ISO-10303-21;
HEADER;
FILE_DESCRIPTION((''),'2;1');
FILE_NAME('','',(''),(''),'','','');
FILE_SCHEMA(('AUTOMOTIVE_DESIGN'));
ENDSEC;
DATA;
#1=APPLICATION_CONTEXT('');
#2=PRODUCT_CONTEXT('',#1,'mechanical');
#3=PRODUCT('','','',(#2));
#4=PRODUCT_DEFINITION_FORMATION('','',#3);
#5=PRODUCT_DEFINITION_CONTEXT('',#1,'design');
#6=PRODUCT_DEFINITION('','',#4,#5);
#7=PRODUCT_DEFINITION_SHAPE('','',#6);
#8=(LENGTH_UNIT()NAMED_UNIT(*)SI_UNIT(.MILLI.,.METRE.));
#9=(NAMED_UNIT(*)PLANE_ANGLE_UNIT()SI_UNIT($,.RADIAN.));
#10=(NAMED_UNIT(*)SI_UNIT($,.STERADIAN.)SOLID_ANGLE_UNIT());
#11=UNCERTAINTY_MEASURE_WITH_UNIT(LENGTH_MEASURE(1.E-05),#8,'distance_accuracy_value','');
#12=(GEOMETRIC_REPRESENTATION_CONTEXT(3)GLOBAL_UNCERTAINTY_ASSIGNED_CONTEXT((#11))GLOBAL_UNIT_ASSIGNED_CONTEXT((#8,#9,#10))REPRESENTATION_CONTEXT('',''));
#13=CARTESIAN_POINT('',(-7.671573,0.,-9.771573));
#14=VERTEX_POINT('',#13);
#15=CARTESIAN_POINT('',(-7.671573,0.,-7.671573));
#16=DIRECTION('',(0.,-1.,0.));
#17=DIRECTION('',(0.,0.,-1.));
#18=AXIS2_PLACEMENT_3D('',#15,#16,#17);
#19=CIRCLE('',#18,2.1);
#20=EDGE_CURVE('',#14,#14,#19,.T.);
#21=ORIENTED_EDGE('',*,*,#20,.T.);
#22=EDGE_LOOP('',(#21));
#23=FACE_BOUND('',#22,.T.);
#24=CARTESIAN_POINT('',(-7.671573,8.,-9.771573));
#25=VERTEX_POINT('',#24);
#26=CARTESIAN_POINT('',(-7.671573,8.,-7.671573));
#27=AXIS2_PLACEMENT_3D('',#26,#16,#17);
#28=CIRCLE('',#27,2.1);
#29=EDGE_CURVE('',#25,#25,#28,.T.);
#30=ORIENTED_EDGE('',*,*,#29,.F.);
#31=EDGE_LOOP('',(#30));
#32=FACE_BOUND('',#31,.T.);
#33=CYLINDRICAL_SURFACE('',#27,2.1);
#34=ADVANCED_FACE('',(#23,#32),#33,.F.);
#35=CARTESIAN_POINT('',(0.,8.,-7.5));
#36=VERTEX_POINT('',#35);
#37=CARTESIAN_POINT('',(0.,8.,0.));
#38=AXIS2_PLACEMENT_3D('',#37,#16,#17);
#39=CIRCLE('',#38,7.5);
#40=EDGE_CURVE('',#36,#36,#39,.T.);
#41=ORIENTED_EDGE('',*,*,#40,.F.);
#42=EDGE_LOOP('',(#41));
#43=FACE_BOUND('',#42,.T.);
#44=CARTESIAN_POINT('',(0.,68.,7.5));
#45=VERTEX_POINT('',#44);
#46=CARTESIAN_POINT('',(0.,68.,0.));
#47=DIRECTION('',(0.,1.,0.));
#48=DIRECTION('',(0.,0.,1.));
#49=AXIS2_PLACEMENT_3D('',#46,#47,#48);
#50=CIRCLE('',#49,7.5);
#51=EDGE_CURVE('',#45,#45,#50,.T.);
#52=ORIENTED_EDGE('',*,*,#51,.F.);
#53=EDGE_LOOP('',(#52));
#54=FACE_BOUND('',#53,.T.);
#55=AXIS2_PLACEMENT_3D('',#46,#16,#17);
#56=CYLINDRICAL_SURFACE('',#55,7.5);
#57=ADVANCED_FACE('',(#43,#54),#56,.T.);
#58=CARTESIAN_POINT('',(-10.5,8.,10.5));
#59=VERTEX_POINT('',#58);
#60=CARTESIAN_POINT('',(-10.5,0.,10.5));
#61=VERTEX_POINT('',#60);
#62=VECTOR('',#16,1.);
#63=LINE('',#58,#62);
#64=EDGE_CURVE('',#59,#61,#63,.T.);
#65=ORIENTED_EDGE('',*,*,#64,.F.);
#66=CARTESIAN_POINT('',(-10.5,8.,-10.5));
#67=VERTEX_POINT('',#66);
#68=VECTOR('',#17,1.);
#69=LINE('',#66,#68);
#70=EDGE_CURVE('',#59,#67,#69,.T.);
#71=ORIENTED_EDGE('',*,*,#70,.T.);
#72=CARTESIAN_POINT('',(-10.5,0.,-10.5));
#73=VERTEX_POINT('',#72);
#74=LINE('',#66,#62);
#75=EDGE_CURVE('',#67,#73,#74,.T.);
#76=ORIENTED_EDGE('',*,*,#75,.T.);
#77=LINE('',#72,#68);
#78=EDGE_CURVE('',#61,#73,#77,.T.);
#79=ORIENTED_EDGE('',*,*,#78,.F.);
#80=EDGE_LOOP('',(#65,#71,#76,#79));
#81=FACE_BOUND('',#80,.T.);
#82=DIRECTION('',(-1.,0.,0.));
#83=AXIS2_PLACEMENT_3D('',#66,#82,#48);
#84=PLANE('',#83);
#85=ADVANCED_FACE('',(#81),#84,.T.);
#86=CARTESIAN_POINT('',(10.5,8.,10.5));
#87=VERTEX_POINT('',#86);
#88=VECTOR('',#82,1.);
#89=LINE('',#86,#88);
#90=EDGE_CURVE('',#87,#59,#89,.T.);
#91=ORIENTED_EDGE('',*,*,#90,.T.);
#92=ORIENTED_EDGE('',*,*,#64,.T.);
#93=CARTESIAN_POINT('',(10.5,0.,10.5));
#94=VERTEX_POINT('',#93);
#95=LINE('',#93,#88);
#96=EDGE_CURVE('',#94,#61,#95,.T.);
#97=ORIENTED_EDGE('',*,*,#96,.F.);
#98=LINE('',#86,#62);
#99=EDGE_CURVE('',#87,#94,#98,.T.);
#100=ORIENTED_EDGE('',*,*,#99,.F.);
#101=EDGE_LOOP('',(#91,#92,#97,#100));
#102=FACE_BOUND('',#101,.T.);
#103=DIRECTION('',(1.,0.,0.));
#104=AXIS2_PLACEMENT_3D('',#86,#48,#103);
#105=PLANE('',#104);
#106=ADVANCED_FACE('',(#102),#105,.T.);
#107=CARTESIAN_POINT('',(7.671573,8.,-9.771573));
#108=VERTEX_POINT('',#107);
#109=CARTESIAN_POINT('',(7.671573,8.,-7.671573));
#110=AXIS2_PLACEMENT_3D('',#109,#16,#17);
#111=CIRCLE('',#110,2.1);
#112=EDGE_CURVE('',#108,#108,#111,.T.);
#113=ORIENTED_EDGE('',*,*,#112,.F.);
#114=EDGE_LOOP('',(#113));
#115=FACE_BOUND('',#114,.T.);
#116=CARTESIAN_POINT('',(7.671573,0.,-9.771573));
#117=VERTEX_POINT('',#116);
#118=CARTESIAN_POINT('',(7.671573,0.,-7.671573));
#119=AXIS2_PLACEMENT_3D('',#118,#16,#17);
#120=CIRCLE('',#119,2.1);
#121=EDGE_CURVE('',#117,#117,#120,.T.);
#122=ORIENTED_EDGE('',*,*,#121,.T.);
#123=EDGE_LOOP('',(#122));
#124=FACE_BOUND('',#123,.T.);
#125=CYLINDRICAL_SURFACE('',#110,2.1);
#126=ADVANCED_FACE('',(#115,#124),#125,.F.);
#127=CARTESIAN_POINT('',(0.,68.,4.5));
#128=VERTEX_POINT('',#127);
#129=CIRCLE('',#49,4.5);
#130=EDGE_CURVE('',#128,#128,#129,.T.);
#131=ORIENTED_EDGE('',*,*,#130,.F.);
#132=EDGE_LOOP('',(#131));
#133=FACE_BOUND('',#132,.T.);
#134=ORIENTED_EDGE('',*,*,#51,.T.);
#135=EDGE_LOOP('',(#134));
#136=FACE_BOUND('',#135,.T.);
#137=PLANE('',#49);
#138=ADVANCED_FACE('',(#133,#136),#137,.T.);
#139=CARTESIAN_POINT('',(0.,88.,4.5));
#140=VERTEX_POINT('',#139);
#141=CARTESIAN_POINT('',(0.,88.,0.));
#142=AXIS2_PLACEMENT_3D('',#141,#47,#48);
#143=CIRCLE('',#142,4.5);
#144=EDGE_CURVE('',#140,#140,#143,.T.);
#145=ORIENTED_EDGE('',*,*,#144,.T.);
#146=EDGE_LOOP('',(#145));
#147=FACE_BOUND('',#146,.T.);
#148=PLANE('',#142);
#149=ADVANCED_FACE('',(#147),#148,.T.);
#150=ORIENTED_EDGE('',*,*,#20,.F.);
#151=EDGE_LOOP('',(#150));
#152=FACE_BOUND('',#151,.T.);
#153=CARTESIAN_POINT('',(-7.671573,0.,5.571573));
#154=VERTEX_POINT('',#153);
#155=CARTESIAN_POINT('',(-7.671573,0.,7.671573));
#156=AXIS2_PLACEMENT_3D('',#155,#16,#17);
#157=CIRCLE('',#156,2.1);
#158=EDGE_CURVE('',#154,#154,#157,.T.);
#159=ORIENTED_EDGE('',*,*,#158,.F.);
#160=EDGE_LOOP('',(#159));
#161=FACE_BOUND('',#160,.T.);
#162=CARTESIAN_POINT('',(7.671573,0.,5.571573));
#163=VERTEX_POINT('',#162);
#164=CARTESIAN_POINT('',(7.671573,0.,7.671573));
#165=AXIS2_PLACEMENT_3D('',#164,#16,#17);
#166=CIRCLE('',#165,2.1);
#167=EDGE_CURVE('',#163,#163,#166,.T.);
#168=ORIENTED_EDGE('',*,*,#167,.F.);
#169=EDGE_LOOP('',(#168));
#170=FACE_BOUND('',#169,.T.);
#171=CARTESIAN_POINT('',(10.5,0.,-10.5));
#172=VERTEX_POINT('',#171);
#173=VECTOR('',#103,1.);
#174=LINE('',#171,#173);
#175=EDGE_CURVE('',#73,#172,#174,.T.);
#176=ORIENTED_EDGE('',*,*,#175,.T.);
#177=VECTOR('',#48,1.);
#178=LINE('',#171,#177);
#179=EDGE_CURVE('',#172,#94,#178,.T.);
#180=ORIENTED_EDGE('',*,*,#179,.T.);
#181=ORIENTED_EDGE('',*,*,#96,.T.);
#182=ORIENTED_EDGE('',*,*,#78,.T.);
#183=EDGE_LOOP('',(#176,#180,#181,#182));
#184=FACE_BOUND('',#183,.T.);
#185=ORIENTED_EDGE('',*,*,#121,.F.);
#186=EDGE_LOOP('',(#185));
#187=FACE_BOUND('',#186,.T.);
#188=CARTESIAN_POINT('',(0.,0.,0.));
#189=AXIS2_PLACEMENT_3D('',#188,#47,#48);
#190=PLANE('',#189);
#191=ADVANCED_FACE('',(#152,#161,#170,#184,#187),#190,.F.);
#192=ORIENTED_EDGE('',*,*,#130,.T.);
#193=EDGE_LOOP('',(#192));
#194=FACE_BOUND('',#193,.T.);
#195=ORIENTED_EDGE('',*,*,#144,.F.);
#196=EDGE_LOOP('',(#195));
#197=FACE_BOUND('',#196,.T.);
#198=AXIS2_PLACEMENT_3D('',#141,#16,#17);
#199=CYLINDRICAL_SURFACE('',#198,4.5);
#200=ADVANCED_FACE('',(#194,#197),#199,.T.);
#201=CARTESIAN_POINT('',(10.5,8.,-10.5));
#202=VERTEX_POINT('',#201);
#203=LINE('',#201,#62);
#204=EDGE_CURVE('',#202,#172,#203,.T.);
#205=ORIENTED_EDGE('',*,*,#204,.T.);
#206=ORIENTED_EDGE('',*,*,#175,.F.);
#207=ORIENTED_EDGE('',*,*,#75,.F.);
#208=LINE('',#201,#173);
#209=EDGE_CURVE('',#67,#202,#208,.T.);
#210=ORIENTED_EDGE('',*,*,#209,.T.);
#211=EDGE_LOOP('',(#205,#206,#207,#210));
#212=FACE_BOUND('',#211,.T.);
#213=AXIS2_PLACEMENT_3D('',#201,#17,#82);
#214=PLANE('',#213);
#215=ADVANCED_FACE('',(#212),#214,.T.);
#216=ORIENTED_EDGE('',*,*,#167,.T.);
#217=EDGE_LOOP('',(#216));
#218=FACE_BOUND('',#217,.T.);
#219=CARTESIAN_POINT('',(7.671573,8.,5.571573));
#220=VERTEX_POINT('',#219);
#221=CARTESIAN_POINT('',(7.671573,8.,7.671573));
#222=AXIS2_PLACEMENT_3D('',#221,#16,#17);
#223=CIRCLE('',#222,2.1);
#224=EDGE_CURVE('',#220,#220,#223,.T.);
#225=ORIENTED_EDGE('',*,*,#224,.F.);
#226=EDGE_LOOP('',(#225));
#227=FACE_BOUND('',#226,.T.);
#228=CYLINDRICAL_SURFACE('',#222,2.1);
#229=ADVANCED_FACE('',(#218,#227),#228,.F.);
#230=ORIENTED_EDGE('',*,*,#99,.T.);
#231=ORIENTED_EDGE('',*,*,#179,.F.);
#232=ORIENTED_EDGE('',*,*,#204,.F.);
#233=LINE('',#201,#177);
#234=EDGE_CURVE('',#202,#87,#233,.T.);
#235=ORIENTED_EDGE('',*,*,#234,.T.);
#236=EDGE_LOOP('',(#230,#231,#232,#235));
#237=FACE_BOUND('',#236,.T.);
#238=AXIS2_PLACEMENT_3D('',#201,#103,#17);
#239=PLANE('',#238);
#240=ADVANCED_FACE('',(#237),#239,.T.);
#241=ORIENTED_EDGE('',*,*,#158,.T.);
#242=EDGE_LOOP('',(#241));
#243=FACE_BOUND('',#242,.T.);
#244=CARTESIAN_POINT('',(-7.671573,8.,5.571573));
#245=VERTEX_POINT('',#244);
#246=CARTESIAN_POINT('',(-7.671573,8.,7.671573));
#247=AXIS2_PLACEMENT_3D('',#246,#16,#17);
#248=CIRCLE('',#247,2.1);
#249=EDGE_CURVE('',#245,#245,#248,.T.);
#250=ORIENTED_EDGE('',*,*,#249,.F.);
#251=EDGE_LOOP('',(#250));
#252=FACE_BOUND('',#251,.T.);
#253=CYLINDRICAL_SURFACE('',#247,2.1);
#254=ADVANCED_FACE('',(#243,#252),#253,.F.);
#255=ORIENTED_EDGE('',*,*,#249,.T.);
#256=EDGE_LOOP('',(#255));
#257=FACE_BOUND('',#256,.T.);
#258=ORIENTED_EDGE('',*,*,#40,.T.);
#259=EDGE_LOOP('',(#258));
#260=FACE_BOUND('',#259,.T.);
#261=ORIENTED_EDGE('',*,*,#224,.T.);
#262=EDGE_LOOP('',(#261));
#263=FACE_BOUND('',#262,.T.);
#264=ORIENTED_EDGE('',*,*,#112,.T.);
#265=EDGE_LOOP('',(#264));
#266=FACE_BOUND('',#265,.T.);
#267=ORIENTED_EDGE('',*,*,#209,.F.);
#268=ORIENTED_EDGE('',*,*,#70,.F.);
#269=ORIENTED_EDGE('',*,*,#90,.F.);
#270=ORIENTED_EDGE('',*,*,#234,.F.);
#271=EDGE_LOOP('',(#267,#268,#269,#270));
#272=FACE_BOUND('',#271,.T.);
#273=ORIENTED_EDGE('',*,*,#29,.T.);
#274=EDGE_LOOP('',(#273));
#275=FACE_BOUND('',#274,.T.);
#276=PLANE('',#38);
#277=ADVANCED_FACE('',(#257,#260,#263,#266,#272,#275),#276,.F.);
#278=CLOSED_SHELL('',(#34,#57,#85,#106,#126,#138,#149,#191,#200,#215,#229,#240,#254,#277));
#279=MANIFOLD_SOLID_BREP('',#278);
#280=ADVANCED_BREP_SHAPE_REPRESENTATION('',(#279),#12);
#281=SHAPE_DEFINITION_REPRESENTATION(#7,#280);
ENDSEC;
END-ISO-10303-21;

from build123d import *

# Parameters (mm, degrees)
SKETCH_1_R      = 7.5
EXTRUDE_1_DEPTH = 68
SKETCH_2_W      = 21
SKETCH_2_H      = 21
SKETCH_2_R      = 2.1
EXTRUDE_2_DEPTH = 8
SKETCH_3_R      = 4.5
EXTRUDE_3_DEPTH = 20


with BuildPart() as part:
    # 草图1 → 凸台-拉伸1 (new body)
    with BuildSketch(Plane(origin=(0, 0, 0), x_dir=(1, 0, 0), z_dir=(0, 1, 0))):
        with Locations(Location((0, 0, 0), (0, 0, 270))):
            Circle(SKETCH_1_R)
    extrude(amount=EXTRUDE_1_DEPTH)

    # 草图2 → 凸台-拉伸2 (add)
    with BuildSketch(Plane.XZ):
        Rectangle(SKETCH_2_W, SKETCH_2_H)
        with Locations(Location((-7.671572875, 7.671572875, 0), (0, 0, 270))):
            Circle(SKETCH_2_R, mode=Mode.SUBTRACT)
        with Locations(Location((7.671572875, -7.671572875, 0), (0, 0, 270))):
            Circle(SKETCH_2_R, mode=Mode.SUBTRACT)
        with Locations(Location((7.671572875, 7.671572875, 0), (0, 0, 270))):
            Circle(SKETCH_2_R, mode=Mode.SUBTRACT)
        with Locations(Location((-7.671572875, -7.671572875, 0), (0, 0, 270))):
            Circle(SKETCH_2_R, mode=Mode.SUBTRACT)
    extrude(amount=-EXTRUDE_2_DEPTH)

    # 草图3 → 凸台-拉伸3 (add)
    with BuildSketch(Plane(origin=(0, 68, 0), x_dir=(1, 0, 0), z_dir=(0, 1, 0))):
        with Locations(Location((0, 0, 0), (0, 0, 270))):
            Circle(SKETCH_3_R)
    extrude(amount=EXTRUDE_3_DEPTH)


solid = part.part
